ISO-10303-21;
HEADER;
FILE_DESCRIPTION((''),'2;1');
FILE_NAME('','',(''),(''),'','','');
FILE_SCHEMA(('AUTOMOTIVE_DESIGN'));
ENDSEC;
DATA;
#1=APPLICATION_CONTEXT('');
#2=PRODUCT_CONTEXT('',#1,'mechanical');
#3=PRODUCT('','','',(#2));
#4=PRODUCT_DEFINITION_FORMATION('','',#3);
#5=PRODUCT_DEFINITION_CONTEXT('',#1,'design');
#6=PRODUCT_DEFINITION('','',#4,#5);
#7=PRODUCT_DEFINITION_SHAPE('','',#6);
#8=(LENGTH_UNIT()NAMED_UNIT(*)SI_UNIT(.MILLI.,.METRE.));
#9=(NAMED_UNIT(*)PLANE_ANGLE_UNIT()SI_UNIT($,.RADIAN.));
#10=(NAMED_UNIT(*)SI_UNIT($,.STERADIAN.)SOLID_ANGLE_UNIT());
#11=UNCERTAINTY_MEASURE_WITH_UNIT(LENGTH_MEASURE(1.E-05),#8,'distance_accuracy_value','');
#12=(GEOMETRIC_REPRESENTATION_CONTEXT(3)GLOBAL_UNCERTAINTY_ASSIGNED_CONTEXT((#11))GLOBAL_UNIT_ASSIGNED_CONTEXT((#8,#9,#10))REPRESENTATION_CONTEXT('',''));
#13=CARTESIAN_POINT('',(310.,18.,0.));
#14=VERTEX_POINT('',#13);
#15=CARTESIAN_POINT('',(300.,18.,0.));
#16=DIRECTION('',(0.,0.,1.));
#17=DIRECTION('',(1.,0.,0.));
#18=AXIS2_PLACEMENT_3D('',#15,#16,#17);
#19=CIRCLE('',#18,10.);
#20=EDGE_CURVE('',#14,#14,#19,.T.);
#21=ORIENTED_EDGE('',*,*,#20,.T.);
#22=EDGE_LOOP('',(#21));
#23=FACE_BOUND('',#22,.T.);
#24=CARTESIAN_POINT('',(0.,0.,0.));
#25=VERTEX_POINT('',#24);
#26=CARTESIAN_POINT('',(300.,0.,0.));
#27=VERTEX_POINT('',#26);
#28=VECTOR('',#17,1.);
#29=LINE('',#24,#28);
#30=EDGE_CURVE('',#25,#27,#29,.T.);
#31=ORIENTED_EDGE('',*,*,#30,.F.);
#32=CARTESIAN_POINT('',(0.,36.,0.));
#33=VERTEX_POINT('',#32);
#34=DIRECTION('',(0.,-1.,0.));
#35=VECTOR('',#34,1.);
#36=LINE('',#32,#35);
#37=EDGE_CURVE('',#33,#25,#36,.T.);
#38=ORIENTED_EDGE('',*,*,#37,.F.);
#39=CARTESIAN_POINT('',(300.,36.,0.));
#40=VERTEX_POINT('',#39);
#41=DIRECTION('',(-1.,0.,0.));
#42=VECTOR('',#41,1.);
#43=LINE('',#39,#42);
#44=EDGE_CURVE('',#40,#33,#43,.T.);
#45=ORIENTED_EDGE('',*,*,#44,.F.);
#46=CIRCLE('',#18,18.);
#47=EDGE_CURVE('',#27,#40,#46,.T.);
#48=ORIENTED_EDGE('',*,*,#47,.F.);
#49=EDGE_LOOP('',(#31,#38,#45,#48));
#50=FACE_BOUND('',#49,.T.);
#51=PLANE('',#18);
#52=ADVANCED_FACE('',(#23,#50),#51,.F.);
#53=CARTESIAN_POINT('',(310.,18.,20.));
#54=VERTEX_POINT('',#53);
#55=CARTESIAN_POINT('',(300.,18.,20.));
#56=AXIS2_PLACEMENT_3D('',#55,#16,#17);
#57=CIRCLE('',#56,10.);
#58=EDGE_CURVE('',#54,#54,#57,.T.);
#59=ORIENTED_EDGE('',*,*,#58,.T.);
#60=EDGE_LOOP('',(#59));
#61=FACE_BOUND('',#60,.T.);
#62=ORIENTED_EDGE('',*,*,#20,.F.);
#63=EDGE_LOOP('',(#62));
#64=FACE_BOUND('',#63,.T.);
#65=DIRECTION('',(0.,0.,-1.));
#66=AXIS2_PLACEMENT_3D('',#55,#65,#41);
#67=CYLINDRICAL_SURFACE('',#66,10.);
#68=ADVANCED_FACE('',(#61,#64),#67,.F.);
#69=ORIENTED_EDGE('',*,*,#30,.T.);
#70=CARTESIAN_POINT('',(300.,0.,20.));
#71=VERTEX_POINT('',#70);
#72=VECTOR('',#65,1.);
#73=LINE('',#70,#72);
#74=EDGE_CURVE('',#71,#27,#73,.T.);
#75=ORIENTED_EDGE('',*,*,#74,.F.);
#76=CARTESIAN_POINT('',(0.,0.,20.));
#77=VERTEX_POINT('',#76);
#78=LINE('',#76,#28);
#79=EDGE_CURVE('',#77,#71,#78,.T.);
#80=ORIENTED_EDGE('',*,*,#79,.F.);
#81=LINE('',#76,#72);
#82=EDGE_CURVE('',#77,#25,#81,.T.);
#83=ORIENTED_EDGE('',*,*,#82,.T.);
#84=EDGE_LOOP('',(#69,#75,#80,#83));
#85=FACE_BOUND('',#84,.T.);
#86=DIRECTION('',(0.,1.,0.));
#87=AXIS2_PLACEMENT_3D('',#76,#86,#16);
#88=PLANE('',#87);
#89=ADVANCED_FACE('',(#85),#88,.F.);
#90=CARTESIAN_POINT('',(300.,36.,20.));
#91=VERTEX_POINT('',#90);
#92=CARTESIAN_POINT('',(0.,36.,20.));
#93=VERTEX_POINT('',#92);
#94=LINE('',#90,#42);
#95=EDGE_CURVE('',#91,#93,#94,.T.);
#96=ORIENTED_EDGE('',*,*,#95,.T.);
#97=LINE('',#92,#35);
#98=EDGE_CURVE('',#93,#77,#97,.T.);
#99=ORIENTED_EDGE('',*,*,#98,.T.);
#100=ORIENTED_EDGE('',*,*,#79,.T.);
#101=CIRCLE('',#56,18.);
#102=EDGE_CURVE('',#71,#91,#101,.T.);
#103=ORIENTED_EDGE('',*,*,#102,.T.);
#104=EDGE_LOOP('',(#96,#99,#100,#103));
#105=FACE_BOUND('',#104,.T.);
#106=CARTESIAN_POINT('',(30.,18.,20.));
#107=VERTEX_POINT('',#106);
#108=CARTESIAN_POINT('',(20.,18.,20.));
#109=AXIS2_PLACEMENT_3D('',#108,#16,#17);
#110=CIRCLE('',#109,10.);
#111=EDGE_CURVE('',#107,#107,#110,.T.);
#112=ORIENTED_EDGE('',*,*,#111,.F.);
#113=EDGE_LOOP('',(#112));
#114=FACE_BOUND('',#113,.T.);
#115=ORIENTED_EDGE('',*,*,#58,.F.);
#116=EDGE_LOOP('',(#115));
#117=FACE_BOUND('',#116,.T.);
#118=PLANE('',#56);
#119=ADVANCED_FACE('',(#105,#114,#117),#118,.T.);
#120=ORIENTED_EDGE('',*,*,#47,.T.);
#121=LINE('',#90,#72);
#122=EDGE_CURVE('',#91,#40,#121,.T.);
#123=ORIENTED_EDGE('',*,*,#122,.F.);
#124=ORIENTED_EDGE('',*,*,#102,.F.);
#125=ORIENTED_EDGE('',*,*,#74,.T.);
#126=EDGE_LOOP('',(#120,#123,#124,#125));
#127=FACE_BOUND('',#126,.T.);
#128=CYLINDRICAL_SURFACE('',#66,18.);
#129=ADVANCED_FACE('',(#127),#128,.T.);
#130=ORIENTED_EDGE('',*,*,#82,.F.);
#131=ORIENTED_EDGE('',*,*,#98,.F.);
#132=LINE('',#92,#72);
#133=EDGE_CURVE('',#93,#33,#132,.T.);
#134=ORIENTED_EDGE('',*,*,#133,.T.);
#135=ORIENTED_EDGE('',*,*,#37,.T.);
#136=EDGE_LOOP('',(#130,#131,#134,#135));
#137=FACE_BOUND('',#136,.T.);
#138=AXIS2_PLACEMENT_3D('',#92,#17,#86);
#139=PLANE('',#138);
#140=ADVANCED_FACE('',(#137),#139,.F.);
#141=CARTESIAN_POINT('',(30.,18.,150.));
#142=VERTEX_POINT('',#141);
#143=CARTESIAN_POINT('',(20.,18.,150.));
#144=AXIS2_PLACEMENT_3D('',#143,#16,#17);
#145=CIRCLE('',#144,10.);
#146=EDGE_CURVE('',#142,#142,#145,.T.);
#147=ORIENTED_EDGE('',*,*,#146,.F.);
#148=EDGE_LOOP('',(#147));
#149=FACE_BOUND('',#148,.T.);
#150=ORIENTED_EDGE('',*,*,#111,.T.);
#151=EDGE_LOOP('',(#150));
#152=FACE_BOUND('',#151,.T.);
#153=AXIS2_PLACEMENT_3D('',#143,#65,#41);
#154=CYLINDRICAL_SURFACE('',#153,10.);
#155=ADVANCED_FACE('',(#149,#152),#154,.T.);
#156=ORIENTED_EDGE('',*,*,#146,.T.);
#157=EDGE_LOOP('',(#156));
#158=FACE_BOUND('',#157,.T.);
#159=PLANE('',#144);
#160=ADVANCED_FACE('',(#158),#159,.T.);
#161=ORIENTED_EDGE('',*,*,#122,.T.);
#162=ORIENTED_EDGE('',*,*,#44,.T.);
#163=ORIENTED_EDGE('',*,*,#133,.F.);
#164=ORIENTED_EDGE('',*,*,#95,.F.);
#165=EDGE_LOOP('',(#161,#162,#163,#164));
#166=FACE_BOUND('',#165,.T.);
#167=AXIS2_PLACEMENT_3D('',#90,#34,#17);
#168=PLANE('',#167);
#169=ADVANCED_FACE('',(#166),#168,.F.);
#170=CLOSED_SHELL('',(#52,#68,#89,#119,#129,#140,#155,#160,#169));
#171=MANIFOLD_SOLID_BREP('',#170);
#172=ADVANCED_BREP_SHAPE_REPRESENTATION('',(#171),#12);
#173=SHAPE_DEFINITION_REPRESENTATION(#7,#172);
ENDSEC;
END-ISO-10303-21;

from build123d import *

# Parameters (mm, degrees)
ESQUISSE1_R        = 10
BOSS_EXTRU_1_DEPTH = 20
ESQUISSE2_R        = 10
BOSS_EXTRU_2_DEPTH = 130


with BuildPart() as part:
    # Esquisse1 → Boss.-Extru.1 (new body)
    with BuildSketch(Plane.XY):
        with BuildLine():
            Line((0, 0), (300, 0))
            ThreePointArc((300, 0), (318, 18), (300, 36))
            Line((300, 36), (0, 36))
            Line((0, 36), (0, 0))
        make_face()
        with Locations((300, 18)):
            Circle(ESQUISSE1_R, mode=Mode.SUBTRACT)
    extrude(amount=BOSS_EXTRU_1_DEPTH)

    # Esquisse2 → Boss.-Extru.2 (add)
    with BuildSketch(Plane.XY.offset(20)):
        with Locations((20, 18)):
            Circle(ESQUISSE2_R)
    extrude(amount=BOSS_EXTRU_2_DEPTH)


solid = part.part
